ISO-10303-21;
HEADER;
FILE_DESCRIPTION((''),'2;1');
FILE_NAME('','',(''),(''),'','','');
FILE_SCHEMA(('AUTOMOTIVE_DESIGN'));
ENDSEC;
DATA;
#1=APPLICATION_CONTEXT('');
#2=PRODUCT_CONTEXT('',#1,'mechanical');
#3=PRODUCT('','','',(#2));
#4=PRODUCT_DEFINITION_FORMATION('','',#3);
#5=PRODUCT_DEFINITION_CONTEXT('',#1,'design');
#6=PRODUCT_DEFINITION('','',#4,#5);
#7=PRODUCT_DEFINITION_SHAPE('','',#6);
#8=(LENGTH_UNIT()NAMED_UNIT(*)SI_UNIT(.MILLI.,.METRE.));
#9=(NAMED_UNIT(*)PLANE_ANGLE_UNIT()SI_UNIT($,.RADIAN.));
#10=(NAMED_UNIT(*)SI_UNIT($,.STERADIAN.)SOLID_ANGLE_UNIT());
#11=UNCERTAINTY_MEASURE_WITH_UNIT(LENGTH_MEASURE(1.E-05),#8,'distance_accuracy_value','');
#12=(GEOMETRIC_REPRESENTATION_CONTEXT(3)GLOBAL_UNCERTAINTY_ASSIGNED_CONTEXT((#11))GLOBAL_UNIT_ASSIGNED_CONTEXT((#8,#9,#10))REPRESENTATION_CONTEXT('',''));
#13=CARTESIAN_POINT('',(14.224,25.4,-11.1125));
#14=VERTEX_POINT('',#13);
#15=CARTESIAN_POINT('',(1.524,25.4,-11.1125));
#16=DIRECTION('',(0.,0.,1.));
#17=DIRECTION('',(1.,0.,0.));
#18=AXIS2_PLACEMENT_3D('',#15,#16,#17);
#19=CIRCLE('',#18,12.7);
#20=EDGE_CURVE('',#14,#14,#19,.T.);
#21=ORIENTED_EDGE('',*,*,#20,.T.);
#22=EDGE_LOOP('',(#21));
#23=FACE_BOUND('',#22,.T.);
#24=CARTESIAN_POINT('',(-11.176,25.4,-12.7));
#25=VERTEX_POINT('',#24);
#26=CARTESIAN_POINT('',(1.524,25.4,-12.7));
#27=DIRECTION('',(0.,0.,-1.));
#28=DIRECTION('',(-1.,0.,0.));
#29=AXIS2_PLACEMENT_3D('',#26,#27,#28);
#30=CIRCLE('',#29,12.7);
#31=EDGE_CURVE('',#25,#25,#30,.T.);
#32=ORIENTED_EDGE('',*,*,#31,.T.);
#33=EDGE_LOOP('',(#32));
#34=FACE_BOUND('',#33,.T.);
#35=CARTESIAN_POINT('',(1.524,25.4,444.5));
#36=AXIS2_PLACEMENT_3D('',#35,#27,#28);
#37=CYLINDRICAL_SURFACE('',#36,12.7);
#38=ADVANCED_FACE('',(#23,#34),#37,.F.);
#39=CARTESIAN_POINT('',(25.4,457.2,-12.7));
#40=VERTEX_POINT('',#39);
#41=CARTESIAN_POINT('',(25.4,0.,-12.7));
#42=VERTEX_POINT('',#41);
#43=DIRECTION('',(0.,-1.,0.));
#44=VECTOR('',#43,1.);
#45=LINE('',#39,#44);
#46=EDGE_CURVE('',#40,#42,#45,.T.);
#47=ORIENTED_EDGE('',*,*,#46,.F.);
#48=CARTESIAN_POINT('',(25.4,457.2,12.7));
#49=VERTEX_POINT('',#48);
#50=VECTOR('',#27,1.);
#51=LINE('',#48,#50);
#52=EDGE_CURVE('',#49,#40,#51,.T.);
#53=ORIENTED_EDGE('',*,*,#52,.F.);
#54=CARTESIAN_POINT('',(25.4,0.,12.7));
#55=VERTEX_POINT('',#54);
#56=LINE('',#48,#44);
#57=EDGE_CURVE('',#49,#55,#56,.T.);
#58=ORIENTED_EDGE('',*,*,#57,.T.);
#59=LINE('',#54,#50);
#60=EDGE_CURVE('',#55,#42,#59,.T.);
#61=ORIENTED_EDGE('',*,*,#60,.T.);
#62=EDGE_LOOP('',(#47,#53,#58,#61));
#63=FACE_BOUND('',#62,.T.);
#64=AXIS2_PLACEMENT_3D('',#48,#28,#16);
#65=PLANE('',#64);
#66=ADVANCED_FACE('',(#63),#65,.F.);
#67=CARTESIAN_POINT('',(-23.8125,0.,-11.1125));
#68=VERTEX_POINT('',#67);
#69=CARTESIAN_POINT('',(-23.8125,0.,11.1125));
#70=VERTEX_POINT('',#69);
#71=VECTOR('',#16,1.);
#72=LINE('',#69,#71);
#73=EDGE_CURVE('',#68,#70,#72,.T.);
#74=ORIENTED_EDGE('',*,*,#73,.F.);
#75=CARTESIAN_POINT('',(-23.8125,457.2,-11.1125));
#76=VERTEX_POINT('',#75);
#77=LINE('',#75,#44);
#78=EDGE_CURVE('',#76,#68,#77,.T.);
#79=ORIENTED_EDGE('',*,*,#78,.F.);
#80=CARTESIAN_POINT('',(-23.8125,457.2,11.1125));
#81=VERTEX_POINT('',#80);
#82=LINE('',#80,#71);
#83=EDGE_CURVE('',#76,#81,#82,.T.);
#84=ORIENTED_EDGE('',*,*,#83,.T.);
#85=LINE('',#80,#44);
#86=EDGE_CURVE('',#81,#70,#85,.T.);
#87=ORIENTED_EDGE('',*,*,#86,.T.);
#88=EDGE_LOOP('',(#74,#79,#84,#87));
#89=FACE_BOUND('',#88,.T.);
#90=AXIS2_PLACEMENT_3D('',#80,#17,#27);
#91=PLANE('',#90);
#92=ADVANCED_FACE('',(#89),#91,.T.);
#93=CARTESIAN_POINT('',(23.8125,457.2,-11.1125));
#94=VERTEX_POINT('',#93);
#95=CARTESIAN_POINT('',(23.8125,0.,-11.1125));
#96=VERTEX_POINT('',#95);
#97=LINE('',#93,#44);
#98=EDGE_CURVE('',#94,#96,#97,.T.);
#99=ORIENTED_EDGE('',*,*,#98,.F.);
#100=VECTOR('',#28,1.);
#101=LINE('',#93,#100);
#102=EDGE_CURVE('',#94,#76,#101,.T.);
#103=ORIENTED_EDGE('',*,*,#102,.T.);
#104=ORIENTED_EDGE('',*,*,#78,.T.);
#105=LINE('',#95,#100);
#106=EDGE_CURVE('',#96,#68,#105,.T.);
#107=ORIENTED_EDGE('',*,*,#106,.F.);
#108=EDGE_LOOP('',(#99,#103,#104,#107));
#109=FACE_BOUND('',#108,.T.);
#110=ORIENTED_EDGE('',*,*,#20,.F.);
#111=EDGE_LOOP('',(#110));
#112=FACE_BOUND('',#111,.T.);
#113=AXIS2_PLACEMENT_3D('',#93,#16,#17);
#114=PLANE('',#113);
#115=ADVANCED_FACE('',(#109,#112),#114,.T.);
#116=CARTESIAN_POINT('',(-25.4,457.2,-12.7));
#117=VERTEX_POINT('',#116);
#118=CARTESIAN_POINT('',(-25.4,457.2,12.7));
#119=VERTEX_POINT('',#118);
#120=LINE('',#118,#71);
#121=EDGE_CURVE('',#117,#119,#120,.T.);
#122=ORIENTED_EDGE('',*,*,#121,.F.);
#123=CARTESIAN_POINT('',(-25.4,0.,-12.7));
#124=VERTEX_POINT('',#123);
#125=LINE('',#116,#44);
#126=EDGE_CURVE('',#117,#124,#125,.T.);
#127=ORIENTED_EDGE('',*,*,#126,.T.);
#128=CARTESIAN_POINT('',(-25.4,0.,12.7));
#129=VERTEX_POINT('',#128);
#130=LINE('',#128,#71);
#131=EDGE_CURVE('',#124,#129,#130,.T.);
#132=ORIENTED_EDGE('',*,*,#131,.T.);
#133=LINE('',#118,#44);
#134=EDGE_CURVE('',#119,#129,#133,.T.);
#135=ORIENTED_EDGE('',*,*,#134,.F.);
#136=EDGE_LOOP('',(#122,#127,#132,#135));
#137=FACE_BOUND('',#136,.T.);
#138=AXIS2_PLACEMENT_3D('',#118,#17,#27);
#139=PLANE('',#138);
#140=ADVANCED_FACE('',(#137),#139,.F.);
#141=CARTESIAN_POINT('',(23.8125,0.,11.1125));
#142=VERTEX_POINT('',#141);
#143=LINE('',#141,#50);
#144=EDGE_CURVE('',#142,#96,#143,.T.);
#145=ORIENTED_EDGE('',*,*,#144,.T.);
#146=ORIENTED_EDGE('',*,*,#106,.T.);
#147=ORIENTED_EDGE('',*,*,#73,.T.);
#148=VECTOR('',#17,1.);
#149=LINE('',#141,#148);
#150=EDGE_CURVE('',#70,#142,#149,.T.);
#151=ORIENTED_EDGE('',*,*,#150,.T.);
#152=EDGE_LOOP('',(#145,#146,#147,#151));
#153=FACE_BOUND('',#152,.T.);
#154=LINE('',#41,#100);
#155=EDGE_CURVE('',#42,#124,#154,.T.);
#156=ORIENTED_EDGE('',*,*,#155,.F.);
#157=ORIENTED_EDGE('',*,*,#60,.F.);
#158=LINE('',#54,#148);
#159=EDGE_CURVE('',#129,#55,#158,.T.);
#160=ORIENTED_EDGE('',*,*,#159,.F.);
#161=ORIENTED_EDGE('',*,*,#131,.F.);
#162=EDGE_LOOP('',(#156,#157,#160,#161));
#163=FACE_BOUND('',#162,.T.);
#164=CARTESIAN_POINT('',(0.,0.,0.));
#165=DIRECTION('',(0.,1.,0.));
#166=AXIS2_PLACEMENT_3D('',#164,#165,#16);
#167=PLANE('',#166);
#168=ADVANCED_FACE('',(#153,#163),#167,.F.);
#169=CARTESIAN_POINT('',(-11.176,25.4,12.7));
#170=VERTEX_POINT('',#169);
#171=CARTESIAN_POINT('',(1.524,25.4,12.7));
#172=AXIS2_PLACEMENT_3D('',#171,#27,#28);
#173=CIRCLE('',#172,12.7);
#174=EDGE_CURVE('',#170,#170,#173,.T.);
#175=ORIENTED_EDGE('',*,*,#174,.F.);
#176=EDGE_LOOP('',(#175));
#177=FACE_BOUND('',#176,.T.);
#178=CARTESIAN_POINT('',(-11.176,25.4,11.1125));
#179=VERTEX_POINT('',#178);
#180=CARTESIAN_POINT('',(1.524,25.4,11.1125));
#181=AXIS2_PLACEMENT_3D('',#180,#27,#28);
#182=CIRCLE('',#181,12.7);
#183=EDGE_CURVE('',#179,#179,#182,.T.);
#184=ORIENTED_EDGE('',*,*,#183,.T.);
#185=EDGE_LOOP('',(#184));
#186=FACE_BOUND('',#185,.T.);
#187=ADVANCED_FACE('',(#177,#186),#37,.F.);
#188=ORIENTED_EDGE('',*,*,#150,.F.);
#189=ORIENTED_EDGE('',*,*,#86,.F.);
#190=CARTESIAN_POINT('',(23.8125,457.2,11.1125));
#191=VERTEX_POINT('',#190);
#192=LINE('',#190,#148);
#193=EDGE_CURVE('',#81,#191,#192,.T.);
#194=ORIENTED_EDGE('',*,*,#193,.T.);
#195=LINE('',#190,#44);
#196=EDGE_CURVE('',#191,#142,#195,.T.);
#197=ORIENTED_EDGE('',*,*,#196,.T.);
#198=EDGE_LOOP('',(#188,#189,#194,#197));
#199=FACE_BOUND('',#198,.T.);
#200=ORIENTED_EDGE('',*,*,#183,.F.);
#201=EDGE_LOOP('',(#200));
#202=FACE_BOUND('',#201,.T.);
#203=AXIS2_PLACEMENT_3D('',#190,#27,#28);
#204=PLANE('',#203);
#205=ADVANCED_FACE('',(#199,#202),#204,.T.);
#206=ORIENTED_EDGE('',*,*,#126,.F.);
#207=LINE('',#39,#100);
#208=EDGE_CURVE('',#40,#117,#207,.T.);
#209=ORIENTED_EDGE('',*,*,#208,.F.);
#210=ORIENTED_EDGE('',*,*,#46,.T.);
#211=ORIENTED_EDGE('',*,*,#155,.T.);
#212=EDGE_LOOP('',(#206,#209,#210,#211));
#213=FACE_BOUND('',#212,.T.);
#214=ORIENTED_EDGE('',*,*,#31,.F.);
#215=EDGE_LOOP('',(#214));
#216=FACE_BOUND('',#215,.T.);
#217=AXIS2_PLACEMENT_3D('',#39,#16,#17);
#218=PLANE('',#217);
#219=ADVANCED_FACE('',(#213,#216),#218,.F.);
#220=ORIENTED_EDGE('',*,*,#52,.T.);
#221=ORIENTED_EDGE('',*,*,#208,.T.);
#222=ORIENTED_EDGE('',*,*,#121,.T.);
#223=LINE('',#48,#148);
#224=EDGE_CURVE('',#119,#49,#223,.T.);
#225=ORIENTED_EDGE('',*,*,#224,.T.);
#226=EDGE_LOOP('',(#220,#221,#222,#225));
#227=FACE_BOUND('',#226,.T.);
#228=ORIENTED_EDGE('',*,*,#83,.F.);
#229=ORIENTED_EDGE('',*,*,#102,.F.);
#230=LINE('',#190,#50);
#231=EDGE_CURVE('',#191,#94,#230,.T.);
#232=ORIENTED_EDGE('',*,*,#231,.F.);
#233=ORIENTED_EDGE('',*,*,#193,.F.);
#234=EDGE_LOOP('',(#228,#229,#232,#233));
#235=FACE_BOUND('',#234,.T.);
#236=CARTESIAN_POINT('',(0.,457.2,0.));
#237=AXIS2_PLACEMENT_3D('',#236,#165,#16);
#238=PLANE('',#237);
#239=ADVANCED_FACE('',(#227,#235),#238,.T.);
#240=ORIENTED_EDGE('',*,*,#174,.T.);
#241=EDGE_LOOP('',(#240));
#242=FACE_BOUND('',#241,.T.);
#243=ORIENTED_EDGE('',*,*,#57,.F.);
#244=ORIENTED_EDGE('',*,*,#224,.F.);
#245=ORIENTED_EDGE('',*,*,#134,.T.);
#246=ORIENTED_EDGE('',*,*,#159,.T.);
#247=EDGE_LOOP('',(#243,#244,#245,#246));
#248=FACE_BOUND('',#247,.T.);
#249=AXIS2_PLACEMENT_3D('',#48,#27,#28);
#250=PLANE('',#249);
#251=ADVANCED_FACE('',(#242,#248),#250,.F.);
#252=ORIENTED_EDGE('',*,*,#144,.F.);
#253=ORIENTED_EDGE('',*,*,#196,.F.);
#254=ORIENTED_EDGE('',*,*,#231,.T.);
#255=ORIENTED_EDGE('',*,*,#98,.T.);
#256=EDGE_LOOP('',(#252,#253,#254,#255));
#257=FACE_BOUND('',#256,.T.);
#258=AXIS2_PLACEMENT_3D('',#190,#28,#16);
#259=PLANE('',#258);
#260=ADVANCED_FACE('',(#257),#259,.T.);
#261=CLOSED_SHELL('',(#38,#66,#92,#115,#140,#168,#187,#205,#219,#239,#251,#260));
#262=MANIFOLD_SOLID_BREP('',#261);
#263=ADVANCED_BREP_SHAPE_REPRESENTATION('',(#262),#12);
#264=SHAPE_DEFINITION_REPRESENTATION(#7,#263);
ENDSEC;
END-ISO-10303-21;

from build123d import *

# Parameters (mm, degrees)
SKETCH1_W           = 50.8
SKETCH1_H           = 25.4
SKETCH1_W_2         = 47.625
SKETCH1_H_2         = 22.225
BOSS_EXTRUDE1_DEPTH = 457.2
SKETCH2_R           = 12.7
CUT_EXTRUDE1_DEPTH  = 457.2


with BuildPart() as part:
    # Sketch1 → Boss-Extrude1 (new body)
    with BuildSketch(Plane(origin=(0, 0, 0), x_dir=(1, 0, 0), z_dir=(0, 1, 0))):
        Rectangle(SKETCH1_W, SKETCH1_H)
        Rectangle(SKETCH1_W_2, SKETCH1_H_2, mode=Mode.SUBTRACT)
    extrude(amount=BOSS_EXTRUDE1_DEPTH)

    # Sketch2 → Cut-Extrude1 (cut)
    with BuildSketch(Plane(origin=(0, 0, -12.7), x_dir=(-1, 0, 0), z_dir=(0, 0, -1))):
        with Locations((-1.524, 25.4)):
            Circle(SKETCH2_R)
    extrude(amount=-CUT_EXTRUDE1_DEPTH, mode=Mode.SUBTRACT)


solid = part.part
